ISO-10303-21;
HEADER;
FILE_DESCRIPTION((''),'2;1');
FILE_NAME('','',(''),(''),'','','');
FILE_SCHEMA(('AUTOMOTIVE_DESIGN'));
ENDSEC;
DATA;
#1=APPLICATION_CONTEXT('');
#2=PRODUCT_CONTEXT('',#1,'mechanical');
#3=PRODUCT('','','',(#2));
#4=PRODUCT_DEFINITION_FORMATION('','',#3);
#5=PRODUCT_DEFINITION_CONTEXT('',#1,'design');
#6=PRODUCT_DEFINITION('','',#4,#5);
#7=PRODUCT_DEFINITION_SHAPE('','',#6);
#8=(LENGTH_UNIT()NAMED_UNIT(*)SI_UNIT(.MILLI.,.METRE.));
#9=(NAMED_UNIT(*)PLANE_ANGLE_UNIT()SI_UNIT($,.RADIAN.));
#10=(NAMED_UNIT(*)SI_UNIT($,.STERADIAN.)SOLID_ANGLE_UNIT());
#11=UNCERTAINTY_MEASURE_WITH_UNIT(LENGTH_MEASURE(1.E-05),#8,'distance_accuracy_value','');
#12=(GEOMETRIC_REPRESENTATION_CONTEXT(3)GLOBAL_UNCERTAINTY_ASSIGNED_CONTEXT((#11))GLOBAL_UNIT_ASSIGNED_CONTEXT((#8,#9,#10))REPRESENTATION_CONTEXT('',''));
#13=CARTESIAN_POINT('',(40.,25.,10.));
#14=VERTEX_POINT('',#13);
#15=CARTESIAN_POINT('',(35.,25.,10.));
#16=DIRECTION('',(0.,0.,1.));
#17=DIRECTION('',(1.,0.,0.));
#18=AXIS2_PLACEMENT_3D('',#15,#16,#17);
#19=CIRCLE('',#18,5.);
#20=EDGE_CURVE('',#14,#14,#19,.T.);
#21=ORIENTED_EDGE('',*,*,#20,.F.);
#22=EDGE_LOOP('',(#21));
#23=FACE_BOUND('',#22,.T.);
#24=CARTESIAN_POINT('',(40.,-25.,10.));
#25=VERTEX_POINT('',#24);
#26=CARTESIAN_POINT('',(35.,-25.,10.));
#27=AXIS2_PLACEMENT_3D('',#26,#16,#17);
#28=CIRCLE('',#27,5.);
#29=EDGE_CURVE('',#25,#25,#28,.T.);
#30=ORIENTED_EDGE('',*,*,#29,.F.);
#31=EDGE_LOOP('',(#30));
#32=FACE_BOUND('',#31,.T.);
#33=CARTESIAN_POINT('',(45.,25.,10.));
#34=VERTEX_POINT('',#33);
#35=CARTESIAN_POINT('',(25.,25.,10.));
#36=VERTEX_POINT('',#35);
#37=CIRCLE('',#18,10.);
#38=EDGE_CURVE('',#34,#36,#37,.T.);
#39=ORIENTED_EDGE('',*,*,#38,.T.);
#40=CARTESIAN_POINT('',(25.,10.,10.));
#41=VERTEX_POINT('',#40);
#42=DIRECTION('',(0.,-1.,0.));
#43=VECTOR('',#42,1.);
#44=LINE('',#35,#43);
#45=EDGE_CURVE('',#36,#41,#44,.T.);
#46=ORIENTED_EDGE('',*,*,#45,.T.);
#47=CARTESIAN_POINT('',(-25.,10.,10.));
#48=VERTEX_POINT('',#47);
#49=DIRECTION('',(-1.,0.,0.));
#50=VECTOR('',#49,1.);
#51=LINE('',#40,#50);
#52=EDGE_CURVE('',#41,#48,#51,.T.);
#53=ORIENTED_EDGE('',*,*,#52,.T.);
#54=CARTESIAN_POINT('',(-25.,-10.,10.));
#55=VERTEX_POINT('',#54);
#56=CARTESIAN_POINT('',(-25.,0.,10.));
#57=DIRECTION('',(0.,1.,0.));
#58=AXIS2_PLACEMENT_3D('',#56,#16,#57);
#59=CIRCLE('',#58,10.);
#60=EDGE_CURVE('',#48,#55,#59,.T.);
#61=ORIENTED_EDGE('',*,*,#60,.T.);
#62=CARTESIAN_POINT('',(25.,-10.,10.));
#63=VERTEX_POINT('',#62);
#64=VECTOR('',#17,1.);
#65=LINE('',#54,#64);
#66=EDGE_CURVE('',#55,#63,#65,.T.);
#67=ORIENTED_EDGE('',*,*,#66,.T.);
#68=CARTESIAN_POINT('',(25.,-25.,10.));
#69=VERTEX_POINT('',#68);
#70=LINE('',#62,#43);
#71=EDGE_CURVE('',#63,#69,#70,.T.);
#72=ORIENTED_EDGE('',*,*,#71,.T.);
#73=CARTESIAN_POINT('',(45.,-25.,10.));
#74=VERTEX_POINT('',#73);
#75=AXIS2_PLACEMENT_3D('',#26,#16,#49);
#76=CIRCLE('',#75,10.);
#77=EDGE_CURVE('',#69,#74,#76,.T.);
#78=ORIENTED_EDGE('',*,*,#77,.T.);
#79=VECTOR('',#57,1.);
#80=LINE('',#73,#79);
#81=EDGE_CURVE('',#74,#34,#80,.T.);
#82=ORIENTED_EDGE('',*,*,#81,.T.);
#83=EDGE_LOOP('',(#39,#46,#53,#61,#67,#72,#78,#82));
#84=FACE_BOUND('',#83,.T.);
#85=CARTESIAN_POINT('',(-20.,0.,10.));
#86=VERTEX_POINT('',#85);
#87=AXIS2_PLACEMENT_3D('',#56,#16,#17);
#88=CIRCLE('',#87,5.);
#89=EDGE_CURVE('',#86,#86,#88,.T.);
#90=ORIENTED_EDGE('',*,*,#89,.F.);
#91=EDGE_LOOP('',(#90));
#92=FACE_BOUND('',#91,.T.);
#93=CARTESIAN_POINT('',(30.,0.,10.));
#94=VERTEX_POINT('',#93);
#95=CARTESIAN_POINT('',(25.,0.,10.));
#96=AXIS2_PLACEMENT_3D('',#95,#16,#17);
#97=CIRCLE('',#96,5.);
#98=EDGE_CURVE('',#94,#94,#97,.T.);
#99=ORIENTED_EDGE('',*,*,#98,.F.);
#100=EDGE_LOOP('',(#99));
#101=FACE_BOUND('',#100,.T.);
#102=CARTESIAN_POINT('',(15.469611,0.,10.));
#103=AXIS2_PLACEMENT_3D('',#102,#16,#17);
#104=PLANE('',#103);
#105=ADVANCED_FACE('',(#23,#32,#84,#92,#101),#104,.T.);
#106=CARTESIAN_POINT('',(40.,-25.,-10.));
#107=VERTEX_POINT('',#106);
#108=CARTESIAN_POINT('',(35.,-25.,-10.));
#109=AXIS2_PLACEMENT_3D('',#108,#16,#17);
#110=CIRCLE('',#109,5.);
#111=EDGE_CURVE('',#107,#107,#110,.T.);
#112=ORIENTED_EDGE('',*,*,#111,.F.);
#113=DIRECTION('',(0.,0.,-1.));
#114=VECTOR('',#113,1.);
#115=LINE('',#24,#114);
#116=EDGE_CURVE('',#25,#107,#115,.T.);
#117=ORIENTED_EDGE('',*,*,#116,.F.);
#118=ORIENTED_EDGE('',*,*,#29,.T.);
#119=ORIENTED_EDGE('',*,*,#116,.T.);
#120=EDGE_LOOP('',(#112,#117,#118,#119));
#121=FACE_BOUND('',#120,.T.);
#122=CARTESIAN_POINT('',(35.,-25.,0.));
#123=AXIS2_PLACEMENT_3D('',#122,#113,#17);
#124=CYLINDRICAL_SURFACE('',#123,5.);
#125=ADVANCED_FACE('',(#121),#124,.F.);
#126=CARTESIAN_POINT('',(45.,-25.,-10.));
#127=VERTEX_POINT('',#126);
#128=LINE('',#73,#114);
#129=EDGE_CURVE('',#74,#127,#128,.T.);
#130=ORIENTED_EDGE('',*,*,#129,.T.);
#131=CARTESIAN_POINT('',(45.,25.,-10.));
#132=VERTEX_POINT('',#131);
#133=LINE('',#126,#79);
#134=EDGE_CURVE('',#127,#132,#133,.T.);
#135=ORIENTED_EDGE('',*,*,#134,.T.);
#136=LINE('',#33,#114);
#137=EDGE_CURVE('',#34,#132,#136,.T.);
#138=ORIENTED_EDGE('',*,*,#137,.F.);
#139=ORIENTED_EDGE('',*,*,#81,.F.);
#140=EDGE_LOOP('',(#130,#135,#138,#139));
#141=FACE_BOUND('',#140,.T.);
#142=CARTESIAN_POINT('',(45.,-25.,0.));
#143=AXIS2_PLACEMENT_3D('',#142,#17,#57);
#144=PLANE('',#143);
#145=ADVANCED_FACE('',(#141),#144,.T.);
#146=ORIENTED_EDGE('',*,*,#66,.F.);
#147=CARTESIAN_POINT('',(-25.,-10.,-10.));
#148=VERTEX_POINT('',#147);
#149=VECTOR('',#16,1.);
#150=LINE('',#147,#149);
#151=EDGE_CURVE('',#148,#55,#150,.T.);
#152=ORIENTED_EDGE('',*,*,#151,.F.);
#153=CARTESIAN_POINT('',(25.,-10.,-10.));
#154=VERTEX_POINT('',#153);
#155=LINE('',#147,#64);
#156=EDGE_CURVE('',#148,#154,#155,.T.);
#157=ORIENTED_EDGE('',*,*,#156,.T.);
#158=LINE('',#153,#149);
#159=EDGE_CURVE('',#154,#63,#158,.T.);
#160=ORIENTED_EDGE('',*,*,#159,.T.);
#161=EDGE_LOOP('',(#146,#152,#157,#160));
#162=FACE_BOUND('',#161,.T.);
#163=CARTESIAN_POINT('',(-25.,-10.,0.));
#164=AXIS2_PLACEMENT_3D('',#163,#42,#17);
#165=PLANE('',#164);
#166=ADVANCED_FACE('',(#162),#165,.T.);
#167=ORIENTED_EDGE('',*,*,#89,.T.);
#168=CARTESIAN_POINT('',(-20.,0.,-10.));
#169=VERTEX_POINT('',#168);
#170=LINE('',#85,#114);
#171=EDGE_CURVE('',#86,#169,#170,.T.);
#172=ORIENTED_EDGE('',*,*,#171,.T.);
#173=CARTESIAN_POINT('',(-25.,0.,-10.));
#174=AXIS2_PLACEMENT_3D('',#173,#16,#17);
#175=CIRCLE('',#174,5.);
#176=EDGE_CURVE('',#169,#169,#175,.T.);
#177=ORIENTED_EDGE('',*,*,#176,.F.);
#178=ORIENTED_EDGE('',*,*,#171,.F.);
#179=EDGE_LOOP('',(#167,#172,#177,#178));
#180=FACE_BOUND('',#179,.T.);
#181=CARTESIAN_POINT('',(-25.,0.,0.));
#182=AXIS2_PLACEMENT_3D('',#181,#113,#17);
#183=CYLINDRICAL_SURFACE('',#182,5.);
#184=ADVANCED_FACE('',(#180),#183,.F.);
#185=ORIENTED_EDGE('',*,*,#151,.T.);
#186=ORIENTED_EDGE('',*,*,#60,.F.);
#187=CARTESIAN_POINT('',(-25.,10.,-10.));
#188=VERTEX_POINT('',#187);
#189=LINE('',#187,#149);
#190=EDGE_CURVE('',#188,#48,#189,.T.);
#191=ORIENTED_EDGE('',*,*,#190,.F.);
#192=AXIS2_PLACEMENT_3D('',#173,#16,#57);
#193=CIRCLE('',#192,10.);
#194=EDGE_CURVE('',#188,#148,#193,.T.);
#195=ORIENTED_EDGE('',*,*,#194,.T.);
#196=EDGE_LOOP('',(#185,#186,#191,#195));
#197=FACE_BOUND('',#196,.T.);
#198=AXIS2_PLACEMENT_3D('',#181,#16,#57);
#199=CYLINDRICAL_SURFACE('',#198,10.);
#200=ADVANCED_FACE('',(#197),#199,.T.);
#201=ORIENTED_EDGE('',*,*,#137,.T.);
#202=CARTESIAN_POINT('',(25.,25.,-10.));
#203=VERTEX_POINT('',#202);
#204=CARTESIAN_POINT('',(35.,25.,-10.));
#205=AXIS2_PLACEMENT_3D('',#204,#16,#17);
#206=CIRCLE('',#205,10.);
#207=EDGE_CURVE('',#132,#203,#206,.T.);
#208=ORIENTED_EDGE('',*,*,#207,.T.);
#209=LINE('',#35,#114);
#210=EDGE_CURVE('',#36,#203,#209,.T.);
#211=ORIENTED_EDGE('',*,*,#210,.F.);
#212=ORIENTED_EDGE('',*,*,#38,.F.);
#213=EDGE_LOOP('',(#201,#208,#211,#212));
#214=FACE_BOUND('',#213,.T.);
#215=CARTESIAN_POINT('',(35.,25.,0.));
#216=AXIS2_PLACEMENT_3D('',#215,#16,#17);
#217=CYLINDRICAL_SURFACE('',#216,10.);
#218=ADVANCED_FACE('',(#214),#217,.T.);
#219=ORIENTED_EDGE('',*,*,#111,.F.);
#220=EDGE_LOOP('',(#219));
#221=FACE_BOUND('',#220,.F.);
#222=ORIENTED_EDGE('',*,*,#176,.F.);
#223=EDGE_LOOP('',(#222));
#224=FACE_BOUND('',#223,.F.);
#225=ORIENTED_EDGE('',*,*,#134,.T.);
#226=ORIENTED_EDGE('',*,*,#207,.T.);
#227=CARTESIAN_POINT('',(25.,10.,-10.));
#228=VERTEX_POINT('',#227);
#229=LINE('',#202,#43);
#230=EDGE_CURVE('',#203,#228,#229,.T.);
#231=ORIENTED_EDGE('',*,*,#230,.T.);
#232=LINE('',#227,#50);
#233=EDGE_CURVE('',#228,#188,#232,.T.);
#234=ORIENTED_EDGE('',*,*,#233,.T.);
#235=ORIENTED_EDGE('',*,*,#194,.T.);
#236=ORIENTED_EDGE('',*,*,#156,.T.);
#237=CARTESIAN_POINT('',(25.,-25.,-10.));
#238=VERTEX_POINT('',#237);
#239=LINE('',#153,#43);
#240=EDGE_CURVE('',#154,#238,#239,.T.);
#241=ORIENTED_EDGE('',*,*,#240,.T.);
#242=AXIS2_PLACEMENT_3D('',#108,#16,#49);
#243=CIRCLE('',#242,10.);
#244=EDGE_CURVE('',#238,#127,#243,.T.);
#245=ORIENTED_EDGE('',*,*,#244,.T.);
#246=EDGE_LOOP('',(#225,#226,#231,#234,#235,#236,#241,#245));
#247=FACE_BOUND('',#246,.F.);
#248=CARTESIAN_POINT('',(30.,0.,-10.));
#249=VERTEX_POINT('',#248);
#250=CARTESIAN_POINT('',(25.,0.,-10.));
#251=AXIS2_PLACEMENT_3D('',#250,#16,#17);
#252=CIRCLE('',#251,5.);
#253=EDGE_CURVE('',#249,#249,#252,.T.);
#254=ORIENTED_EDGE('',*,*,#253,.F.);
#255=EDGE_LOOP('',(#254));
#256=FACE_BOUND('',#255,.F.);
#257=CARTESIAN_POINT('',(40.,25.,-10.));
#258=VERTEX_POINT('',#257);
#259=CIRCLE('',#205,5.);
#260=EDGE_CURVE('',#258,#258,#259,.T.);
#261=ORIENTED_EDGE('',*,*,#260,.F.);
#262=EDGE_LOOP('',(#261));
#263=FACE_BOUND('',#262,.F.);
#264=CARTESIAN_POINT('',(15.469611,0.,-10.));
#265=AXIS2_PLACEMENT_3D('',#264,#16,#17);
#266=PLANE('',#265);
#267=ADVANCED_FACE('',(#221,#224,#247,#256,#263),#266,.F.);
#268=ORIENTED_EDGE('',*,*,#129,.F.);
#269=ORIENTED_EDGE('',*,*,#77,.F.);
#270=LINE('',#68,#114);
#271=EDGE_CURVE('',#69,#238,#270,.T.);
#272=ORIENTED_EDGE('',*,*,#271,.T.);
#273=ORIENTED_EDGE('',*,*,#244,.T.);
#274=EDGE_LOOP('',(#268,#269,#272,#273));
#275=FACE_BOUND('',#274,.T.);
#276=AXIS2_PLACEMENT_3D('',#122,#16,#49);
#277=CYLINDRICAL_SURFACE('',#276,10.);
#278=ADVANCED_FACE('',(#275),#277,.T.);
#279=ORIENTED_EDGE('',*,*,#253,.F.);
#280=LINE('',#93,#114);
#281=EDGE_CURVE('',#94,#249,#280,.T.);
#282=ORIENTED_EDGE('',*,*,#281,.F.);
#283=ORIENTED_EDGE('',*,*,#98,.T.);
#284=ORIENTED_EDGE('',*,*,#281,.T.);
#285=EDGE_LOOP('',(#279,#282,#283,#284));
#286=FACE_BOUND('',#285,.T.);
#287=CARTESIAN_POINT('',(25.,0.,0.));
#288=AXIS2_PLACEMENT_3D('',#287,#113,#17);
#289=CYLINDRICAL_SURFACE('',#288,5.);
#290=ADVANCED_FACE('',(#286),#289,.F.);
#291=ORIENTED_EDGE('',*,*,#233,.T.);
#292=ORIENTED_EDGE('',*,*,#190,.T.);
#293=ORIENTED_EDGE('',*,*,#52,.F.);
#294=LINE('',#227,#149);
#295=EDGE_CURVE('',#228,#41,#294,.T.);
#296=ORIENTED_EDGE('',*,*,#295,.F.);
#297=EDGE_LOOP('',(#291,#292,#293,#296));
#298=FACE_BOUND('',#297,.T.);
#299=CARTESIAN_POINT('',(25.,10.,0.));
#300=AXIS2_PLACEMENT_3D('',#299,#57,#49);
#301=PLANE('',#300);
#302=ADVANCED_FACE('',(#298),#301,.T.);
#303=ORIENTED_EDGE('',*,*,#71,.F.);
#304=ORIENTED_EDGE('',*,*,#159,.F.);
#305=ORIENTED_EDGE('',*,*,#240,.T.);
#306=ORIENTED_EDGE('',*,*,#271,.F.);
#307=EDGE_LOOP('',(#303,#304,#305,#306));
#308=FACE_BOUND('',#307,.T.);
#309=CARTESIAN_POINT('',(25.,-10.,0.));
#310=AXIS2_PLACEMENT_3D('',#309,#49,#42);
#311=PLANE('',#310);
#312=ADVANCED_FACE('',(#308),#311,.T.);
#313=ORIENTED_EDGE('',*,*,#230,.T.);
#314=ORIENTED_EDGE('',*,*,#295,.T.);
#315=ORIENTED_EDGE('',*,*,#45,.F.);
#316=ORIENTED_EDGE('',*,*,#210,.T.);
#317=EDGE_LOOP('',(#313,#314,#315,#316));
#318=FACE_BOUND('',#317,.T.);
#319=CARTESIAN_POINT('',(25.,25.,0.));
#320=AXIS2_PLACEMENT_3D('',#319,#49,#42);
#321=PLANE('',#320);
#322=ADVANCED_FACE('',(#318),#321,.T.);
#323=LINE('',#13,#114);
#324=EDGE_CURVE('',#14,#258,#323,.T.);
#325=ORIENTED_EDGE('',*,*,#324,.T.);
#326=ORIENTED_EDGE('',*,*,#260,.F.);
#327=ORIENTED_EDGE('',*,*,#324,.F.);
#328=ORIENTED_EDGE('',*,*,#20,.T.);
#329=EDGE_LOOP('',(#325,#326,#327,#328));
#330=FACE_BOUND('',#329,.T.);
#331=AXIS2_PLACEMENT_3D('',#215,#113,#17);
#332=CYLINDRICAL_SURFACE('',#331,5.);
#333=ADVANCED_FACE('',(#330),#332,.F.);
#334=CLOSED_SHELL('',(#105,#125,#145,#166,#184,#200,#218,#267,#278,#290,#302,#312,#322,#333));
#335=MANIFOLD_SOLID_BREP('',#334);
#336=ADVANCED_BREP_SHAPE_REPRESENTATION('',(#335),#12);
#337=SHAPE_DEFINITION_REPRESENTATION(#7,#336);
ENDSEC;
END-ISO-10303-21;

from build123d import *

# Parameters (mm, degrees)
F0_R     = 5
F1_DEPTH = 10


with BuildPart() as f1:
    # F0 (on Top) → F1 (new body, symmetric)
    with BuildSketch(Plane.XY):
        with BuildLine():
            Line((25, 25), (25, 10))
            Line((25, 10), (-25, 10))
            ThreePointArc((-25, 10), (-35, 0), (-25, -10))
            Line((-25, -10), (25, -10))
            Line((25, -10), (25, -25))
            ThreePointArc((25, -25), (35, -35), (45, -25))
            Line((45, -25), (45, 25))
            ThreePointArc((45, 25), (35, 35), (25, 25))
        make_face()
        with Locations((35, -25)):
            Circle(F0_R, mode=Mode.SUBTRACT)
        with Locations((-25, 0)):
            Circle(F0_R, mode=Mode.SUBTRACT)
        with Locations((25, 0)):
            Circle(F0_R, mode=Mode.SUBTRACT)
        with Locations((35, 25)):
            Circle(F0_R, mode=Mode.SUBTRACT)
    extrude(amount=F1_DEPTH, both=True)


solid = f1.part
